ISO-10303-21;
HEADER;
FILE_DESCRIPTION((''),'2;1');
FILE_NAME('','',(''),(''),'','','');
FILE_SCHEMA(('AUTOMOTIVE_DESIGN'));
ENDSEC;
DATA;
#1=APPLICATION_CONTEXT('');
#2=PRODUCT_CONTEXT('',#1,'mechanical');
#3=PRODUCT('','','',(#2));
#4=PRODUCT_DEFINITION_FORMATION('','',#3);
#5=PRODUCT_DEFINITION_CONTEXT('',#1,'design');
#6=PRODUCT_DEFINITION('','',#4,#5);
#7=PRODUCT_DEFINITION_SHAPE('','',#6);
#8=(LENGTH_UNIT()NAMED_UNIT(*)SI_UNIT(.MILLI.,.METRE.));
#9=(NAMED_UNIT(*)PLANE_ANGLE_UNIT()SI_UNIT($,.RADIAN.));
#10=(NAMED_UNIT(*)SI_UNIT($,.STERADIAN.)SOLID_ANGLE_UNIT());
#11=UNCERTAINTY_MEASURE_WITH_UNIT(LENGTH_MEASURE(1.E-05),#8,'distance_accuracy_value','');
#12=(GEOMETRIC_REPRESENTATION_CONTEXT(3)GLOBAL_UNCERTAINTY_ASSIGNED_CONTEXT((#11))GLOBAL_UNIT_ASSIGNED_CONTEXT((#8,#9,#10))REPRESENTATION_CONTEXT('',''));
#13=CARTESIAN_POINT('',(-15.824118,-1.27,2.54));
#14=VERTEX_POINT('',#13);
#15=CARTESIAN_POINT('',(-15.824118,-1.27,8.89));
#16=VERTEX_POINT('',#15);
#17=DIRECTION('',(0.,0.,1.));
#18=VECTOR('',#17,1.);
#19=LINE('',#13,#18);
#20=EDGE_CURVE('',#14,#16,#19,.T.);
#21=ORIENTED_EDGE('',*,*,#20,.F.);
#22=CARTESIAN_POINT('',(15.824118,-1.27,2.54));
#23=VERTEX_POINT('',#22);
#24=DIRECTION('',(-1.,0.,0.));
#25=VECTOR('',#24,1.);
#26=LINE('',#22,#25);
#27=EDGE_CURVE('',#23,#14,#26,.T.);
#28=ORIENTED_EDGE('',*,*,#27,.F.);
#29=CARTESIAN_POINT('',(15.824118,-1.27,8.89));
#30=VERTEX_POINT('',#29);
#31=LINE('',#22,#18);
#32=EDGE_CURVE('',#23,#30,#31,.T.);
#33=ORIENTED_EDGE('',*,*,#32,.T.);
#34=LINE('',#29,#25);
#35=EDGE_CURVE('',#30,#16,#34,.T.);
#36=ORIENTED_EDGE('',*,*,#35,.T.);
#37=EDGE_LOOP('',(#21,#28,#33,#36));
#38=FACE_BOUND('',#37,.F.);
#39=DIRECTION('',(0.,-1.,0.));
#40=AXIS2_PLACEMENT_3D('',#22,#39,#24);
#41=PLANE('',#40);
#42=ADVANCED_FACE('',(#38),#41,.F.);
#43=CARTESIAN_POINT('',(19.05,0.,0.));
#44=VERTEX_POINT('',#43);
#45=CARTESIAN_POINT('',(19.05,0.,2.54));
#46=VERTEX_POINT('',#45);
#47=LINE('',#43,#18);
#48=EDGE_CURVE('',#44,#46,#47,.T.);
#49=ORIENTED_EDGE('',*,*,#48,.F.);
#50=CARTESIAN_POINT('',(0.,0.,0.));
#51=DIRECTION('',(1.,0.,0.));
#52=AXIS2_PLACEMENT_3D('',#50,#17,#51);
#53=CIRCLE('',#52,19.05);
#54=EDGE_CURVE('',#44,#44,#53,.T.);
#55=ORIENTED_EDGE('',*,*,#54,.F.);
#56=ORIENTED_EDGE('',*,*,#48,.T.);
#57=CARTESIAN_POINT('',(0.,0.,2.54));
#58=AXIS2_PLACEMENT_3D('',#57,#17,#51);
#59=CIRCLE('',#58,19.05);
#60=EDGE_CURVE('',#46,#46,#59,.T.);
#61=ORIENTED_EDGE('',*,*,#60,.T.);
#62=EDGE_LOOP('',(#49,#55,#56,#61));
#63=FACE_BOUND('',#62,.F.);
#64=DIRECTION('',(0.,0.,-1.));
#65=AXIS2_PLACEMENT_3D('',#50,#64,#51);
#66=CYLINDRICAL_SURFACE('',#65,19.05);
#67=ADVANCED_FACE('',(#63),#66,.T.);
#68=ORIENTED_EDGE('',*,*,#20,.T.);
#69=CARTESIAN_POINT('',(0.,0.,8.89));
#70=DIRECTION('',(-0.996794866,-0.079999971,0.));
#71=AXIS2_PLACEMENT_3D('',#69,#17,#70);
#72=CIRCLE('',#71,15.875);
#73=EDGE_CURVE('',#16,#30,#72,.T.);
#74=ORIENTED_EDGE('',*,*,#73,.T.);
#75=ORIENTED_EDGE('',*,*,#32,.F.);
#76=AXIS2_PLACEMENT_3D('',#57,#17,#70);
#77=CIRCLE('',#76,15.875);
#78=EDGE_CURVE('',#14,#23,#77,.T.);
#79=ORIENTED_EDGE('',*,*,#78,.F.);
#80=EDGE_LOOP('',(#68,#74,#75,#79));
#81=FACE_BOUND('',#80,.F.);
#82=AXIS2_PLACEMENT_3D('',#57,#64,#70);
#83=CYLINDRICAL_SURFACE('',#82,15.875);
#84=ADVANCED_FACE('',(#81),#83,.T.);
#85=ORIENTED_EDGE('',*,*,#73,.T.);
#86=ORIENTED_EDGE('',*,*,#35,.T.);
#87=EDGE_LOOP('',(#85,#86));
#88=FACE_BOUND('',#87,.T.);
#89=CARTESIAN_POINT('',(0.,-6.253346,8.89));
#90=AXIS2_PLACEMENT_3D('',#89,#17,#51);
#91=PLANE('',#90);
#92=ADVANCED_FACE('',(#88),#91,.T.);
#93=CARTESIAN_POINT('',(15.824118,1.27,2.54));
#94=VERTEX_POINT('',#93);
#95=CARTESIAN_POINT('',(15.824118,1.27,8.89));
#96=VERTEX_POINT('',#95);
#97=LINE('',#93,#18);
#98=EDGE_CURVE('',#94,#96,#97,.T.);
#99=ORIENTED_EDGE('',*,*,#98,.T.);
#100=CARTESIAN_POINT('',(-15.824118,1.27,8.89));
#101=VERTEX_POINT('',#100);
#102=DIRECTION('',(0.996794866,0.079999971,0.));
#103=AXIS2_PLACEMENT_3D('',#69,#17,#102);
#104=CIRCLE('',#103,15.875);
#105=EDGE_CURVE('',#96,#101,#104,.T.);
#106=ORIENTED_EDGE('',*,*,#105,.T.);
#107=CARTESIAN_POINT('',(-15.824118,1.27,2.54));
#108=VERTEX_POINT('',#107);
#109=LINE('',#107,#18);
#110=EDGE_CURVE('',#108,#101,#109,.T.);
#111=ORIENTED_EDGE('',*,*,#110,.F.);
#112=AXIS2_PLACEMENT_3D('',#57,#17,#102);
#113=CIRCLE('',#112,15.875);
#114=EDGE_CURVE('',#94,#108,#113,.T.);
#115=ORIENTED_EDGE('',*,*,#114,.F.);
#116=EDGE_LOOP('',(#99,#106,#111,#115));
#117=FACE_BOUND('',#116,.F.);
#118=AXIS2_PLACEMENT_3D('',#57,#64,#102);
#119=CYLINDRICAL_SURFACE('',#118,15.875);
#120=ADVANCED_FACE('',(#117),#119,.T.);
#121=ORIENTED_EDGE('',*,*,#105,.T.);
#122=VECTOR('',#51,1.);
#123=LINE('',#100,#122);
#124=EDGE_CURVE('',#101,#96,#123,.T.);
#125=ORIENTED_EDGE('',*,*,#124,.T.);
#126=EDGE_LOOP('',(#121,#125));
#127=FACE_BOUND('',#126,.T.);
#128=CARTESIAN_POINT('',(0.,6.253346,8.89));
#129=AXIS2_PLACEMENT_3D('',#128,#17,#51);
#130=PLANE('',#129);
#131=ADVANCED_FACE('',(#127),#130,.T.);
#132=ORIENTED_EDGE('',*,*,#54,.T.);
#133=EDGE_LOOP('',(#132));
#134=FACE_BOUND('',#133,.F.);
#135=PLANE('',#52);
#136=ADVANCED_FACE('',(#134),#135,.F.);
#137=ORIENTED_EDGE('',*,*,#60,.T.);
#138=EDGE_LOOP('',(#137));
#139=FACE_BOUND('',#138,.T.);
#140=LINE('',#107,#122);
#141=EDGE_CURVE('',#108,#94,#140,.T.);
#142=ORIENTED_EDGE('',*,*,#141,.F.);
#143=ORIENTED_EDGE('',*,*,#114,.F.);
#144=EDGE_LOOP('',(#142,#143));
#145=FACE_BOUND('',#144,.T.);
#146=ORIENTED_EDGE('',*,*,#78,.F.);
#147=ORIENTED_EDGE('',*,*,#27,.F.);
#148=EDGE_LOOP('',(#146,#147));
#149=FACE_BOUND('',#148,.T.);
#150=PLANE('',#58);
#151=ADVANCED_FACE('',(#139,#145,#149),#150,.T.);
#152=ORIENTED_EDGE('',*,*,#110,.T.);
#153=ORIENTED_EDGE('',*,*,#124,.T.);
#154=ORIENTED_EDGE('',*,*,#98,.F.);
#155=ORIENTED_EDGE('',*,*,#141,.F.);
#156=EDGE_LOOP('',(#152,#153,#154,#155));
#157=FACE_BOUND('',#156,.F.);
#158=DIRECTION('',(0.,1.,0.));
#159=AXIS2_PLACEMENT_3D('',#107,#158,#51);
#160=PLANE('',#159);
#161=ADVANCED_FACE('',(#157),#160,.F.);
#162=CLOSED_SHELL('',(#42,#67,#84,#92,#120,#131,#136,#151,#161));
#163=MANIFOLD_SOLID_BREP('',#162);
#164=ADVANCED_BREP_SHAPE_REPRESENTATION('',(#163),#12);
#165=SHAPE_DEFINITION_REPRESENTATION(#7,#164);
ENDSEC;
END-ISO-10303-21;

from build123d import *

# Parameters (mm, degrees)
F0_R     = 19.05
F1_DEPTH = 2.54
F3_DEPTH = 6.35


with BuildPart() as f1:
    # F0 (on Top) → F1 (new body)
    with BuildSketch(Plane.XY):
        Circle(F0_R)
    extrude(amount=F1_DEPTH)

    # F2 (on face) → F3 (join)
    with BuildSketch(Plane.XY.offset(2.54)):
        with BuildLine():
            Line((15.824118, -1.27), (-15.824118, -1.27))
            ThreePointArc((-15.824118, -1.27), (0, -15.875), (15.824118, -1.27))
        make_face()
        with BuildLine():
            Line((-15.824118, 1.27), (15.824118, 1.27))
            ThreePointArc((15.824118, 1.27), (0, 15.875), (-15.824118, 1.27))
        make_face()
    extrude(amount=F3_DEPTH)


solid = f1.part
